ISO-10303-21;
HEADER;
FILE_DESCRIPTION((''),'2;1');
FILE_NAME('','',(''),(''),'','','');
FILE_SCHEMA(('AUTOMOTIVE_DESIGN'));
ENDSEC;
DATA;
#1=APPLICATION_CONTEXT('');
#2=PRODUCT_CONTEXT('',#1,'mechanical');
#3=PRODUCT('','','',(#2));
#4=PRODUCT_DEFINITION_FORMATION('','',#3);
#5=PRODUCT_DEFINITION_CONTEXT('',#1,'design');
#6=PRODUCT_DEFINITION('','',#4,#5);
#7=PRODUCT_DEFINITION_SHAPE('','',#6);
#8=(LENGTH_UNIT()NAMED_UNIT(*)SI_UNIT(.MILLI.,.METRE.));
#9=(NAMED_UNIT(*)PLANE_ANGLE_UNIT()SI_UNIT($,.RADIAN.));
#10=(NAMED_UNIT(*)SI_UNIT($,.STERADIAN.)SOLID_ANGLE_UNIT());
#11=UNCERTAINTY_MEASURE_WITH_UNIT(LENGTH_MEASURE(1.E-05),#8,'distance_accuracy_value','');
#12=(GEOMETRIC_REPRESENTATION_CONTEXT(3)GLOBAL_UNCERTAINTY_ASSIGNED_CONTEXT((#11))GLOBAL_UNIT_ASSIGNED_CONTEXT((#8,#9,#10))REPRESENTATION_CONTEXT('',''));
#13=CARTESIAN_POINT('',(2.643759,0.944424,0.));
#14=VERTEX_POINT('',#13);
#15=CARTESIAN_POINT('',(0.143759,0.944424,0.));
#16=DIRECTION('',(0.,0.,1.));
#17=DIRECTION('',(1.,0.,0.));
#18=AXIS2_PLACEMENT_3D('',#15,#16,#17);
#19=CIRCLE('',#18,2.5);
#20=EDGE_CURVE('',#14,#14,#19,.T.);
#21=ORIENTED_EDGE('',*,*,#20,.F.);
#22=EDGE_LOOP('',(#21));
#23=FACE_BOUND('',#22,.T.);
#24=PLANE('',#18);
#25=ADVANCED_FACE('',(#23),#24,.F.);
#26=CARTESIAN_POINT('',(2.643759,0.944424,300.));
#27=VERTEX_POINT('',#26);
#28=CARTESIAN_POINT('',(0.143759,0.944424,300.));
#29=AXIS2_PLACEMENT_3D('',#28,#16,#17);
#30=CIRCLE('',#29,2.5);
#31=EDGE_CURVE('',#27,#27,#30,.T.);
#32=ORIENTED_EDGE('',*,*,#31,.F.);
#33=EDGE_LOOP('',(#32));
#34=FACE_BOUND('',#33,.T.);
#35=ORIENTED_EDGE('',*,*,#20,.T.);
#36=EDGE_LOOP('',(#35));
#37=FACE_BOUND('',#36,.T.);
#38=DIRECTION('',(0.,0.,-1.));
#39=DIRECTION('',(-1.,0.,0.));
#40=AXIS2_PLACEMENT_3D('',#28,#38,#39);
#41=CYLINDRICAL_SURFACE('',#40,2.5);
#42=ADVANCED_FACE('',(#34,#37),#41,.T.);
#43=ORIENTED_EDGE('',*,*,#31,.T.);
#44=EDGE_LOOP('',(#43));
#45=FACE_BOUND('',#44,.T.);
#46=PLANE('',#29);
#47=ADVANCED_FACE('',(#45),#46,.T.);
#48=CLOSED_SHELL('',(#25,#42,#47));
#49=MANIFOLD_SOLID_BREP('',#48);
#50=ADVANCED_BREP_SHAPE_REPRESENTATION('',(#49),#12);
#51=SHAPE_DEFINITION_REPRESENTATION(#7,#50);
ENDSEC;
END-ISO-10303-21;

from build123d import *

# Parameters (mm, degrees)
SKETCH1_R           = 2.5
BOSS_EXTRUDE1_DEPTH = 300


with BuildPart() as part:
    # Sketch1 → Boss-Extrude1 (new body)
    with BuildSketch(Plane.XY):
        with Locations((0.143759197, 0.944423649)):
            Circle(SKETCH1_R)
    extrude(amount=BOSS_EXTRUDE1_DEPTH)


solid = part.part
